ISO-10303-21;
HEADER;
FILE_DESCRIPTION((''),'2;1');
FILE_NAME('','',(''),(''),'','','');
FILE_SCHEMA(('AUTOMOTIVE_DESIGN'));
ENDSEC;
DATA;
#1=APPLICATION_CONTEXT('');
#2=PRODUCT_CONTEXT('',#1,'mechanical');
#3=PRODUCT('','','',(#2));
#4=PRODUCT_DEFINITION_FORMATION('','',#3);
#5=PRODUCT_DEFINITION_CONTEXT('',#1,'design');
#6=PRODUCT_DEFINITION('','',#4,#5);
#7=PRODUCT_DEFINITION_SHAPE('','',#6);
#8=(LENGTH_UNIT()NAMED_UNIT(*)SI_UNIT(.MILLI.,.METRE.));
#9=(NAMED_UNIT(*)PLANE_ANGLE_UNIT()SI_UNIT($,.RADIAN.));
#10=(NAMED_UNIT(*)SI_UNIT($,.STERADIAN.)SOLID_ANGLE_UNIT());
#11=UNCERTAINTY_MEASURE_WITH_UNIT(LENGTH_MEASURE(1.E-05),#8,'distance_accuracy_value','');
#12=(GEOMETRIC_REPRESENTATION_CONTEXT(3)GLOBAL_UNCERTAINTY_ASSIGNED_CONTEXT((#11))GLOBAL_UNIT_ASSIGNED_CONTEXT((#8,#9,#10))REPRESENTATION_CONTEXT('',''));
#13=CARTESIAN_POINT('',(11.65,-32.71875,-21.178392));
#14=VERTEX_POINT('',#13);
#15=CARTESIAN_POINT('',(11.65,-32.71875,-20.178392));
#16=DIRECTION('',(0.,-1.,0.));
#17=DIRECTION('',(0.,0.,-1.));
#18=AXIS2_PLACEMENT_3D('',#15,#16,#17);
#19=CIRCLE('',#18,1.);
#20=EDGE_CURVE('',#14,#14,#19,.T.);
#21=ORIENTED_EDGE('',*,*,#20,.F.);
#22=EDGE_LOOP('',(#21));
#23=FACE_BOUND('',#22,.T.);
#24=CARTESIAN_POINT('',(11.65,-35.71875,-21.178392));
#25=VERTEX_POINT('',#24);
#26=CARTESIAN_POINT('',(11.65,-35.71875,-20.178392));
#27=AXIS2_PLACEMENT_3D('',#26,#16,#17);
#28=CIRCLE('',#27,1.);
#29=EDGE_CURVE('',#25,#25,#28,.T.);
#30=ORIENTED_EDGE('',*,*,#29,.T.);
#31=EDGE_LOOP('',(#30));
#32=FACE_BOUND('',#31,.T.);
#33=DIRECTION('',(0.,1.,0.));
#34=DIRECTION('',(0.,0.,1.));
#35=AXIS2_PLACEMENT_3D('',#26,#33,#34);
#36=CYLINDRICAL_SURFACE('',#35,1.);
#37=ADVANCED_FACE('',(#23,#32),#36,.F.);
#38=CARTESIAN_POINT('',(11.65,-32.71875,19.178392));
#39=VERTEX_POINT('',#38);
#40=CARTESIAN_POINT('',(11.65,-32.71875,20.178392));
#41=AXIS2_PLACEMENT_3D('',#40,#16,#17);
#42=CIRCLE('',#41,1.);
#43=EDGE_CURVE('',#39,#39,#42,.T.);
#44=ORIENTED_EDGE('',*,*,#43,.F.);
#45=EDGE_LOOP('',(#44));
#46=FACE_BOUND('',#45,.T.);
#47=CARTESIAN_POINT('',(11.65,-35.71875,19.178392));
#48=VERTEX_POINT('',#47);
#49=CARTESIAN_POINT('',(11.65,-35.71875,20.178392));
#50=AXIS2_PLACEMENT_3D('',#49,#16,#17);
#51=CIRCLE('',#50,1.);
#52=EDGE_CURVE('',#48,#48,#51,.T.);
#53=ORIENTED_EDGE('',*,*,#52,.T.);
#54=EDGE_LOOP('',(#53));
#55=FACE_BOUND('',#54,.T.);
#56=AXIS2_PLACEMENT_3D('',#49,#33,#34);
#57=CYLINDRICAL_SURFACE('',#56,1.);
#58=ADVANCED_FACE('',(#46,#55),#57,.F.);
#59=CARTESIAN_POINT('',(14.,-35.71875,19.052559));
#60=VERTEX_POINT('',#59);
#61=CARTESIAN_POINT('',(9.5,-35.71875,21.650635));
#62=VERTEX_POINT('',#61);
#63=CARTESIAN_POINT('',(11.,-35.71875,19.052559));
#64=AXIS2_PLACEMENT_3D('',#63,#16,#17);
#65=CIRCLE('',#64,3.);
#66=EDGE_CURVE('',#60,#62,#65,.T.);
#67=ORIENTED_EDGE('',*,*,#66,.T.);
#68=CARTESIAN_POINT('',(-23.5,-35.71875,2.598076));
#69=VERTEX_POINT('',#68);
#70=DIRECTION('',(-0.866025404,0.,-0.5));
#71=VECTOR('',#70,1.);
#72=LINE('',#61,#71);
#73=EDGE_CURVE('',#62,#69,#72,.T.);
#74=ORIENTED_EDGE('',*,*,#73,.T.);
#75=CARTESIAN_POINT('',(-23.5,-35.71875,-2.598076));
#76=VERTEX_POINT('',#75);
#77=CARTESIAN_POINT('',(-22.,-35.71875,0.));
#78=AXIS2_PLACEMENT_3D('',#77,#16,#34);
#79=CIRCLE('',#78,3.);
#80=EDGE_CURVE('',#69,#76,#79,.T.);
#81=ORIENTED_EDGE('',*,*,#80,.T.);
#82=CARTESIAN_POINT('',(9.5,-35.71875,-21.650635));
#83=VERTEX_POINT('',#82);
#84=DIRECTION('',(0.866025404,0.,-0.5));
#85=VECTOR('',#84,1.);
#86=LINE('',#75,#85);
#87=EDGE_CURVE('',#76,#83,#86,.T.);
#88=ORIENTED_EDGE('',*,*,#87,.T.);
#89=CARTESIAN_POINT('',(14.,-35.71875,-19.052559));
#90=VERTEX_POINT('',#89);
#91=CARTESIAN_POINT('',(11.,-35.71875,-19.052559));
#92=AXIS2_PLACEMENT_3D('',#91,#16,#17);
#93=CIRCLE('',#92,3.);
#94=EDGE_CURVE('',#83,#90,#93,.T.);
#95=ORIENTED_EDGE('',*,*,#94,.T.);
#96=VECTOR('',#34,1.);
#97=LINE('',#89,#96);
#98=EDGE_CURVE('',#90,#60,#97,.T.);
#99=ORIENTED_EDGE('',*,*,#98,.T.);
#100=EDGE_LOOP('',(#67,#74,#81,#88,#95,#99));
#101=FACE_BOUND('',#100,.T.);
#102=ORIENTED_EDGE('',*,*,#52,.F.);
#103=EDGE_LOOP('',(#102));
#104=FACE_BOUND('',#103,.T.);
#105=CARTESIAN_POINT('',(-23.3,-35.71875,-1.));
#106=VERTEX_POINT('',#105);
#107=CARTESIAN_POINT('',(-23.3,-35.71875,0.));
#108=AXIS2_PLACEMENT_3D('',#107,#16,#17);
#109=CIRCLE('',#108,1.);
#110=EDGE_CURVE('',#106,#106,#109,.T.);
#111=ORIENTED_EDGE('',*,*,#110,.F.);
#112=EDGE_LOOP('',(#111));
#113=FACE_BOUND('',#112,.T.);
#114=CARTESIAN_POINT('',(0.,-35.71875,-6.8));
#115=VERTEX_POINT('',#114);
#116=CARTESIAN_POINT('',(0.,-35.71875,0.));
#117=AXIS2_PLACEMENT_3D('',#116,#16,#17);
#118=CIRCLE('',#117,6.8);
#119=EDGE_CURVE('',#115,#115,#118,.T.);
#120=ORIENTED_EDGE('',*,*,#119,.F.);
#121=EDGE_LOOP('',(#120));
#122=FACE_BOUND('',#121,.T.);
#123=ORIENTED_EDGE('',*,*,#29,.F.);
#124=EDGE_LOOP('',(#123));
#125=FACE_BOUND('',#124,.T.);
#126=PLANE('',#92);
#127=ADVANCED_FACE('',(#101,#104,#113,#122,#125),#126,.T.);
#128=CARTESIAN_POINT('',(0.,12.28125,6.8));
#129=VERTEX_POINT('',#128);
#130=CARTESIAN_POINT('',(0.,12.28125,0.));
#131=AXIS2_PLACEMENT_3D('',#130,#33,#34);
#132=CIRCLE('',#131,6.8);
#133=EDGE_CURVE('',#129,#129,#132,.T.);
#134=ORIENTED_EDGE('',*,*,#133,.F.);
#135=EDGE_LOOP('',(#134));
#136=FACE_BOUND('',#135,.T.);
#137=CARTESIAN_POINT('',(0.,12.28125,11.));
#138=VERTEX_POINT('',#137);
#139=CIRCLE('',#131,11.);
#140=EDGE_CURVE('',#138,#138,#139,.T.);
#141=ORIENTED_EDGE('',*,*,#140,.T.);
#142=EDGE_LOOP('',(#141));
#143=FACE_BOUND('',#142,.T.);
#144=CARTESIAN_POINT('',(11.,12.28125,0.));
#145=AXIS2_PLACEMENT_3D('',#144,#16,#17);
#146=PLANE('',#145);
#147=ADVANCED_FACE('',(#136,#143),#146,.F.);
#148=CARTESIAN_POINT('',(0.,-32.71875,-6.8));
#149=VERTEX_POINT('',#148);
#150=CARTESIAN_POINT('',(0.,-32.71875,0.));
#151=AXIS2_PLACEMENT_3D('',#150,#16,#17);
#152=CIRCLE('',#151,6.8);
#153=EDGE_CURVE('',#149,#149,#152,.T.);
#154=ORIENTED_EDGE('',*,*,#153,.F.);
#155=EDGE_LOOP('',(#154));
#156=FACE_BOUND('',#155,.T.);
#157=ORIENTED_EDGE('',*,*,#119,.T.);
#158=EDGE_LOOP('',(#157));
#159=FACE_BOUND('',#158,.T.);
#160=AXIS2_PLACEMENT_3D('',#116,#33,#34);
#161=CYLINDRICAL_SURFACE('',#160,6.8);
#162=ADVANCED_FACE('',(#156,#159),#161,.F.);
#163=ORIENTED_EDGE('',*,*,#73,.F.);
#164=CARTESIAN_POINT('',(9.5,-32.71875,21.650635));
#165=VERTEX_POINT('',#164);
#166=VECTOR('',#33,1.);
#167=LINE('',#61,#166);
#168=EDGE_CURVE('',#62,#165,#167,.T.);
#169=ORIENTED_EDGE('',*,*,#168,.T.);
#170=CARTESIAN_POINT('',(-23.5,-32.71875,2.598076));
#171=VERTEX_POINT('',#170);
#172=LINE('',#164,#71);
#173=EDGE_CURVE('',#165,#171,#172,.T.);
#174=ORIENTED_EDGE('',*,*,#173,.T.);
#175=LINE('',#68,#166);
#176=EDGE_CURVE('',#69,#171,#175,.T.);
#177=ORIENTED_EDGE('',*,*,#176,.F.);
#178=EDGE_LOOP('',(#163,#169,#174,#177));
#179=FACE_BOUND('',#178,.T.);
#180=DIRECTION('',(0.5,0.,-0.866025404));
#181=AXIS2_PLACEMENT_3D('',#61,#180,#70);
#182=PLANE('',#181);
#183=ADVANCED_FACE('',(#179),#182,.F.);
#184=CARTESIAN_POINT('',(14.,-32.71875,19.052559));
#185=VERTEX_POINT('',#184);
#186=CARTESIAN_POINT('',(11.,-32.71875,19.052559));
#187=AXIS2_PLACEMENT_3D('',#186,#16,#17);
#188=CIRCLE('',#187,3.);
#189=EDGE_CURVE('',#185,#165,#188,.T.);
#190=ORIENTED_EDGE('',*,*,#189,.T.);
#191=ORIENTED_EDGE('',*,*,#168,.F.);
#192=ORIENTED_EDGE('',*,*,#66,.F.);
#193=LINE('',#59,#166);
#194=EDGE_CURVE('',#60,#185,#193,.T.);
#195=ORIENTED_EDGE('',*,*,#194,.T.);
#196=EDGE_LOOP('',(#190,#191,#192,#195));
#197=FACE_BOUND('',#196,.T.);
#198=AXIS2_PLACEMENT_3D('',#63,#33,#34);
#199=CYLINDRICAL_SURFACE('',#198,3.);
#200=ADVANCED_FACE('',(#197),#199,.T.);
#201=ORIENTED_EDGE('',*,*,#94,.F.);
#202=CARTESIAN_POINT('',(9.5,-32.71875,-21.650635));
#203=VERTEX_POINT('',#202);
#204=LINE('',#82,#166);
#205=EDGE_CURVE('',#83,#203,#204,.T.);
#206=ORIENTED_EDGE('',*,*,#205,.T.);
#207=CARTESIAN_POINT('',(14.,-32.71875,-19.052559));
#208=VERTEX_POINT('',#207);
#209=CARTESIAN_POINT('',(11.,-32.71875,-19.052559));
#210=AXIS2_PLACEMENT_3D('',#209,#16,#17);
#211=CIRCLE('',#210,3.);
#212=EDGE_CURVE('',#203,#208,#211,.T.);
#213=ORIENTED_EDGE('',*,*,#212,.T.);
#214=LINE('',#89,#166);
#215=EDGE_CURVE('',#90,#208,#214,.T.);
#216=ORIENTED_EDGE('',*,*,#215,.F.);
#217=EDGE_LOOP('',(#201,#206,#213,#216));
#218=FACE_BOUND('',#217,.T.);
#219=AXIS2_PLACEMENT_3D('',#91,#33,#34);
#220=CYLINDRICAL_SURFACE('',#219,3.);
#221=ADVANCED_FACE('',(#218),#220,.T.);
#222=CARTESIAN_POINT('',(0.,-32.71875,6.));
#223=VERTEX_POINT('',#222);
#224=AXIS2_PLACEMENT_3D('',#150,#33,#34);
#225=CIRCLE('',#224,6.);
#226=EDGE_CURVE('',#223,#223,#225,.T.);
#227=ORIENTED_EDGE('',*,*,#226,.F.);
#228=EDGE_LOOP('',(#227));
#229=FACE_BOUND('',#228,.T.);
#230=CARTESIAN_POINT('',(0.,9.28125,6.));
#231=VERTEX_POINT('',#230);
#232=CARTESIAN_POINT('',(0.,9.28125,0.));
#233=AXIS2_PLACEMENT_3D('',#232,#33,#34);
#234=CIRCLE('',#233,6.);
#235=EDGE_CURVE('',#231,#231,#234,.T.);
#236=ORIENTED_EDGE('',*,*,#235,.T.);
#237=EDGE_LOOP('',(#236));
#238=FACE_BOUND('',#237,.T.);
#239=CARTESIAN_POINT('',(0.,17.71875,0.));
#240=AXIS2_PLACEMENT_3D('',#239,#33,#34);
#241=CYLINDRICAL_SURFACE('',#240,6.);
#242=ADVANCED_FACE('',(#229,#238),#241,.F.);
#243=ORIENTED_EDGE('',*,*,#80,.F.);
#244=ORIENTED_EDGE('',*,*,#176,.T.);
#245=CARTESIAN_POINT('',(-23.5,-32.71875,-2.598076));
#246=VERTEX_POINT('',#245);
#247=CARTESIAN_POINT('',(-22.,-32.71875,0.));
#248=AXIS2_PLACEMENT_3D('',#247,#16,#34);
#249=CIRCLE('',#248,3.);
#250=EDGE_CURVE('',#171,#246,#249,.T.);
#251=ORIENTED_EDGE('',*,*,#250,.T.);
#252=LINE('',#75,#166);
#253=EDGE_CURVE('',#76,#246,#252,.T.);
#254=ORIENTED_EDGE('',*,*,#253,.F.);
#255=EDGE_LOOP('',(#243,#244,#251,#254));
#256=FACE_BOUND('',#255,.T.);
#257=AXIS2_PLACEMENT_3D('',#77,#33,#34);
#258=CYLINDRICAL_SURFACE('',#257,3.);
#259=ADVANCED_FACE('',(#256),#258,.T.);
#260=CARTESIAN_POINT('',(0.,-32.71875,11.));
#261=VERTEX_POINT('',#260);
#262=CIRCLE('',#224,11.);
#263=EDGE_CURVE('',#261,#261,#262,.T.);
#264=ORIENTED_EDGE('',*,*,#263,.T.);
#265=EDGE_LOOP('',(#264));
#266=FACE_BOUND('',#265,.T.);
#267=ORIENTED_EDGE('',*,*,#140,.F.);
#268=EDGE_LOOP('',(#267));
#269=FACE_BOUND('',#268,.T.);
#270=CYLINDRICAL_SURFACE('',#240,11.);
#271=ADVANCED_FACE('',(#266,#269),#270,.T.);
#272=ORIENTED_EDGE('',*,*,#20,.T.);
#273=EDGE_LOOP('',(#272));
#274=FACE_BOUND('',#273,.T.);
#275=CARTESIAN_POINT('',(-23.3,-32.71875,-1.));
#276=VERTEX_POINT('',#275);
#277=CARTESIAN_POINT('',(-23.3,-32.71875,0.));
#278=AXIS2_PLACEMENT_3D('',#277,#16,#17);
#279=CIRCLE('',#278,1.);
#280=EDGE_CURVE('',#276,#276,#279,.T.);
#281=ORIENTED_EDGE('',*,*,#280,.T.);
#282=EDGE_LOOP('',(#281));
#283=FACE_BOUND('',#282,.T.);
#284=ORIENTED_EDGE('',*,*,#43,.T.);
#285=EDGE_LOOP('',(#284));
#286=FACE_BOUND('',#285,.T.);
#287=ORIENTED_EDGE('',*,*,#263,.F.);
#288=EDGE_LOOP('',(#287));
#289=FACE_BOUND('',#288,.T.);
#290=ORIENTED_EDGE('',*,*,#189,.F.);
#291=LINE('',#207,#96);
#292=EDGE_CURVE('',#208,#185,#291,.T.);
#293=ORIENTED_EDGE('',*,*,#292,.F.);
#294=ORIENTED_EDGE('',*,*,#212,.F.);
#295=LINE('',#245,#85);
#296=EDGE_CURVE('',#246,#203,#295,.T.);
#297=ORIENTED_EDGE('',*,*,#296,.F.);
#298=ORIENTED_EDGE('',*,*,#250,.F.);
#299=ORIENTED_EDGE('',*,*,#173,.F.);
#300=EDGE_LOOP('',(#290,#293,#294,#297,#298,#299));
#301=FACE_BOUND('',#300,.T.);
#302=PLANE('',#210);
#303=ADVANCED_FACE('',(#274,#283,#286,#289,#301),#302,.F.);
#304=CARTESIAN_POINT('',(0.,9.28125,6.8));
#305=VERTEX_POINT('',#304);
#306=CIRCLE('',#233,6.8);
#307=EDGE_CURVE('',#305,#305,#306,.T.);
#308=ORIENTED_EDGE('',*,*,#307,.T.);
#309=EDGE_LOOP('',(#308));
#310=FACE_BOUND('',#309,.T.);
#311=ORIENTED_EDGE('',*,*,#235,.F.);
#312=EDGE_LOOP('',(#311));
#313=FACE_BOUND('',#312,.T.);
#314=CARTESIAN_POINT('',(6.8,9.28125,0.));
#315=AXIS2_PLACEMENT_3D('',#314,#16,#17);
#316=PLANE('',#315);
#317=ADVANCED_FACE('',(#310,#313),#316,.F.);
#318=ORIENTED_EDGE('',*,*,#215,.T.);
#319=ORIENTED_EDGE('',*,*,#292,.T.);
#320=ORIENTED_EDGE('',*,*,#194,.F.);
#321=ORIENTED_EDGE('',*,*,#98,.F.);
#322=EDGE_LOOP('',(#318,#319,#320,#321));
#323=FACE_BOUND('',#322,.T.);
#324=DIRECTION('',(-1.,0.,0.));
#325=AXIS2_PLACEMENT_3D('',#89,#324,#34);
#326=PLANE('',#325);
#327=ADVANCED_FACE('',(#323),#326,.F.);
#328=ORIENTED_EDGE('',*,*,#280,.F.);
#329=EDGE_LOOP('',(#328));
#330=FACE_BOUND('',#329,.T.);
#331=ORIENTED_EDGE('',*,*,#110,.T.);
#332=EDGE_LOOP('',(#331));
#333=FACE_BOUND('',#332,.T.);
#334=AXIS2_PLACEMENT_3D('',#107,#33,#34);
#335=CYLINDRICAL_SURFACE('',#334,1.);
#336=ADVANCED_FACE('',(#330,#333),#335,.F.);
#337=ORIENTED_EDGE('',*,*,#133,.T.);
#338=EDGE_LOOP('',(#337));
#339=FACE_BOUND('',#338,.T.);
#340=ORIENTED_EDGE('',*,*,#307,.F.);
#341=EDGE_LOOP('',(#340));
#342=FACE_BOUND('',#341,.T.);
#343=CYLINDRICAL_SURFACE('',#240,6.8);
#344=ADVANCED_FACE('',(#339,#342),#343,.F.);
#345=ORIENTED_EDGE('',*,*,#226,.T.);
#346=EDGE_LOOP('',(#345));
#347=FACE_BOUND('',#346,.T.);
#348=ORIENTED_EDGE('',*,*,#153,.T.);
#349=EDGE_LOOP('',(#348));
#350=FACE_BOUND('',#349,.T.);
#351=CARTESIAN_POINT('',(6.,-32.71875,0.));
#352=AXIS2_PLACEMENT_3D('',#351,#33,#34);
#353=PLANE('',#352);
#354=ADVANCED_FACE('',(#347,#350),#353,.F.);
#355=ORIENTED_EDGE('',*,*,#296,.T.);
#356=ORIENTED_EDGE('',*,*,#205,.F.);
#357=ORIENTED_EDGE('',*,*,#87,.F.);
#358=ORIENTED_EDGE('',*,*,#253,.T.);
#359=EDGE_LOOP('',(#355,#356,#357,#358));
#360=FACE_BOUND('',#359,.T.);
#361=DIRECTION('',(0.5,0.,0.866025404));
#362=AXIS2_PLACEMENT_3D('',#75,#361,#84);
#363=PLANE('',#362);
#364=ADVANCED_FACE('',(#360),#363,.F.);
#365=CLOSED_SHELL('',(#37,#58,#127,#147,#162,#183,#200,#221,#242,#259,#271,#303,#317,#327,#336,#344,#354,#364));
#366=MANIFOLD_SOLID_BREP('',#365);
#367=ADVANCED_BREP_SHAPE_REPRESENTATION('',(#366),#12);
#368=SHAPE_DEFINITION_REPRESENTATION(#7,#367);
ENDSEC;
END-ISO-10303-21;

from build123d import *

# Parameters (mm, degrees)
SKETCH2_R           = 6.8
SKETCH2_R_2         = 1
BOSS_EXTRUDE1_DEPTH = 3


with BuildPart() as part:
    # Sketch1 → Revolve1 (revolve)
    with BuildSketch(Plane.XY):
        Polygon((11, 12.28125), (6.8, 12.28125), (6.8, 9.28125), (6, 9.28125), (6, -32.71875), (11, -32.71875), align=None)
    revolve(axis=Axis((0, 17.71875, 0), (0, -1, 0)))

    # Sketch2 → Boss-Extrude1 (add)
    with BuildSketch(Plane.XZ.offset(32.71875)):
        with BuildLine():
            Line((-23.5, -2.598076211), (9.5, -21.650635095))
            ThreePointArc((9.5, -21.650635095), (12.5, -21.650635095), (14, -19.052558883))
            Line((14, -19.052558883), (14, 19.052558883))
            ThreePointArc((14, 19.052558883), (12.5, 21.650635095), (9.5, 21.650635095))
            Line((9.5, 21.650635095), (-23.5, 2.598076211))
            ThreePointArc((-23.5, 2.598076211), (-25, 0), (-23.5, -2.598076211))
        make_face()
        Circle(SKETCH2_R, mode=Mode.SUBTRACT)
        with Locations((11.65, 20.178391908)):
            Circle(SKETCH2_R_2, mode=Mode.SUBTRACT)
        with Locations((-23.3, 0)):
            Circle(SKETCH2_R_2, mode=Mode.SUBTRACT)
        with Locations((11.65, -20.178391908)):
            Circle(SKETCH2_R_2, mode=Mode.SUBTRACT)
    extrude(amount=BOSS_EXTRUDE1_DEPTH)


solid = part.part
